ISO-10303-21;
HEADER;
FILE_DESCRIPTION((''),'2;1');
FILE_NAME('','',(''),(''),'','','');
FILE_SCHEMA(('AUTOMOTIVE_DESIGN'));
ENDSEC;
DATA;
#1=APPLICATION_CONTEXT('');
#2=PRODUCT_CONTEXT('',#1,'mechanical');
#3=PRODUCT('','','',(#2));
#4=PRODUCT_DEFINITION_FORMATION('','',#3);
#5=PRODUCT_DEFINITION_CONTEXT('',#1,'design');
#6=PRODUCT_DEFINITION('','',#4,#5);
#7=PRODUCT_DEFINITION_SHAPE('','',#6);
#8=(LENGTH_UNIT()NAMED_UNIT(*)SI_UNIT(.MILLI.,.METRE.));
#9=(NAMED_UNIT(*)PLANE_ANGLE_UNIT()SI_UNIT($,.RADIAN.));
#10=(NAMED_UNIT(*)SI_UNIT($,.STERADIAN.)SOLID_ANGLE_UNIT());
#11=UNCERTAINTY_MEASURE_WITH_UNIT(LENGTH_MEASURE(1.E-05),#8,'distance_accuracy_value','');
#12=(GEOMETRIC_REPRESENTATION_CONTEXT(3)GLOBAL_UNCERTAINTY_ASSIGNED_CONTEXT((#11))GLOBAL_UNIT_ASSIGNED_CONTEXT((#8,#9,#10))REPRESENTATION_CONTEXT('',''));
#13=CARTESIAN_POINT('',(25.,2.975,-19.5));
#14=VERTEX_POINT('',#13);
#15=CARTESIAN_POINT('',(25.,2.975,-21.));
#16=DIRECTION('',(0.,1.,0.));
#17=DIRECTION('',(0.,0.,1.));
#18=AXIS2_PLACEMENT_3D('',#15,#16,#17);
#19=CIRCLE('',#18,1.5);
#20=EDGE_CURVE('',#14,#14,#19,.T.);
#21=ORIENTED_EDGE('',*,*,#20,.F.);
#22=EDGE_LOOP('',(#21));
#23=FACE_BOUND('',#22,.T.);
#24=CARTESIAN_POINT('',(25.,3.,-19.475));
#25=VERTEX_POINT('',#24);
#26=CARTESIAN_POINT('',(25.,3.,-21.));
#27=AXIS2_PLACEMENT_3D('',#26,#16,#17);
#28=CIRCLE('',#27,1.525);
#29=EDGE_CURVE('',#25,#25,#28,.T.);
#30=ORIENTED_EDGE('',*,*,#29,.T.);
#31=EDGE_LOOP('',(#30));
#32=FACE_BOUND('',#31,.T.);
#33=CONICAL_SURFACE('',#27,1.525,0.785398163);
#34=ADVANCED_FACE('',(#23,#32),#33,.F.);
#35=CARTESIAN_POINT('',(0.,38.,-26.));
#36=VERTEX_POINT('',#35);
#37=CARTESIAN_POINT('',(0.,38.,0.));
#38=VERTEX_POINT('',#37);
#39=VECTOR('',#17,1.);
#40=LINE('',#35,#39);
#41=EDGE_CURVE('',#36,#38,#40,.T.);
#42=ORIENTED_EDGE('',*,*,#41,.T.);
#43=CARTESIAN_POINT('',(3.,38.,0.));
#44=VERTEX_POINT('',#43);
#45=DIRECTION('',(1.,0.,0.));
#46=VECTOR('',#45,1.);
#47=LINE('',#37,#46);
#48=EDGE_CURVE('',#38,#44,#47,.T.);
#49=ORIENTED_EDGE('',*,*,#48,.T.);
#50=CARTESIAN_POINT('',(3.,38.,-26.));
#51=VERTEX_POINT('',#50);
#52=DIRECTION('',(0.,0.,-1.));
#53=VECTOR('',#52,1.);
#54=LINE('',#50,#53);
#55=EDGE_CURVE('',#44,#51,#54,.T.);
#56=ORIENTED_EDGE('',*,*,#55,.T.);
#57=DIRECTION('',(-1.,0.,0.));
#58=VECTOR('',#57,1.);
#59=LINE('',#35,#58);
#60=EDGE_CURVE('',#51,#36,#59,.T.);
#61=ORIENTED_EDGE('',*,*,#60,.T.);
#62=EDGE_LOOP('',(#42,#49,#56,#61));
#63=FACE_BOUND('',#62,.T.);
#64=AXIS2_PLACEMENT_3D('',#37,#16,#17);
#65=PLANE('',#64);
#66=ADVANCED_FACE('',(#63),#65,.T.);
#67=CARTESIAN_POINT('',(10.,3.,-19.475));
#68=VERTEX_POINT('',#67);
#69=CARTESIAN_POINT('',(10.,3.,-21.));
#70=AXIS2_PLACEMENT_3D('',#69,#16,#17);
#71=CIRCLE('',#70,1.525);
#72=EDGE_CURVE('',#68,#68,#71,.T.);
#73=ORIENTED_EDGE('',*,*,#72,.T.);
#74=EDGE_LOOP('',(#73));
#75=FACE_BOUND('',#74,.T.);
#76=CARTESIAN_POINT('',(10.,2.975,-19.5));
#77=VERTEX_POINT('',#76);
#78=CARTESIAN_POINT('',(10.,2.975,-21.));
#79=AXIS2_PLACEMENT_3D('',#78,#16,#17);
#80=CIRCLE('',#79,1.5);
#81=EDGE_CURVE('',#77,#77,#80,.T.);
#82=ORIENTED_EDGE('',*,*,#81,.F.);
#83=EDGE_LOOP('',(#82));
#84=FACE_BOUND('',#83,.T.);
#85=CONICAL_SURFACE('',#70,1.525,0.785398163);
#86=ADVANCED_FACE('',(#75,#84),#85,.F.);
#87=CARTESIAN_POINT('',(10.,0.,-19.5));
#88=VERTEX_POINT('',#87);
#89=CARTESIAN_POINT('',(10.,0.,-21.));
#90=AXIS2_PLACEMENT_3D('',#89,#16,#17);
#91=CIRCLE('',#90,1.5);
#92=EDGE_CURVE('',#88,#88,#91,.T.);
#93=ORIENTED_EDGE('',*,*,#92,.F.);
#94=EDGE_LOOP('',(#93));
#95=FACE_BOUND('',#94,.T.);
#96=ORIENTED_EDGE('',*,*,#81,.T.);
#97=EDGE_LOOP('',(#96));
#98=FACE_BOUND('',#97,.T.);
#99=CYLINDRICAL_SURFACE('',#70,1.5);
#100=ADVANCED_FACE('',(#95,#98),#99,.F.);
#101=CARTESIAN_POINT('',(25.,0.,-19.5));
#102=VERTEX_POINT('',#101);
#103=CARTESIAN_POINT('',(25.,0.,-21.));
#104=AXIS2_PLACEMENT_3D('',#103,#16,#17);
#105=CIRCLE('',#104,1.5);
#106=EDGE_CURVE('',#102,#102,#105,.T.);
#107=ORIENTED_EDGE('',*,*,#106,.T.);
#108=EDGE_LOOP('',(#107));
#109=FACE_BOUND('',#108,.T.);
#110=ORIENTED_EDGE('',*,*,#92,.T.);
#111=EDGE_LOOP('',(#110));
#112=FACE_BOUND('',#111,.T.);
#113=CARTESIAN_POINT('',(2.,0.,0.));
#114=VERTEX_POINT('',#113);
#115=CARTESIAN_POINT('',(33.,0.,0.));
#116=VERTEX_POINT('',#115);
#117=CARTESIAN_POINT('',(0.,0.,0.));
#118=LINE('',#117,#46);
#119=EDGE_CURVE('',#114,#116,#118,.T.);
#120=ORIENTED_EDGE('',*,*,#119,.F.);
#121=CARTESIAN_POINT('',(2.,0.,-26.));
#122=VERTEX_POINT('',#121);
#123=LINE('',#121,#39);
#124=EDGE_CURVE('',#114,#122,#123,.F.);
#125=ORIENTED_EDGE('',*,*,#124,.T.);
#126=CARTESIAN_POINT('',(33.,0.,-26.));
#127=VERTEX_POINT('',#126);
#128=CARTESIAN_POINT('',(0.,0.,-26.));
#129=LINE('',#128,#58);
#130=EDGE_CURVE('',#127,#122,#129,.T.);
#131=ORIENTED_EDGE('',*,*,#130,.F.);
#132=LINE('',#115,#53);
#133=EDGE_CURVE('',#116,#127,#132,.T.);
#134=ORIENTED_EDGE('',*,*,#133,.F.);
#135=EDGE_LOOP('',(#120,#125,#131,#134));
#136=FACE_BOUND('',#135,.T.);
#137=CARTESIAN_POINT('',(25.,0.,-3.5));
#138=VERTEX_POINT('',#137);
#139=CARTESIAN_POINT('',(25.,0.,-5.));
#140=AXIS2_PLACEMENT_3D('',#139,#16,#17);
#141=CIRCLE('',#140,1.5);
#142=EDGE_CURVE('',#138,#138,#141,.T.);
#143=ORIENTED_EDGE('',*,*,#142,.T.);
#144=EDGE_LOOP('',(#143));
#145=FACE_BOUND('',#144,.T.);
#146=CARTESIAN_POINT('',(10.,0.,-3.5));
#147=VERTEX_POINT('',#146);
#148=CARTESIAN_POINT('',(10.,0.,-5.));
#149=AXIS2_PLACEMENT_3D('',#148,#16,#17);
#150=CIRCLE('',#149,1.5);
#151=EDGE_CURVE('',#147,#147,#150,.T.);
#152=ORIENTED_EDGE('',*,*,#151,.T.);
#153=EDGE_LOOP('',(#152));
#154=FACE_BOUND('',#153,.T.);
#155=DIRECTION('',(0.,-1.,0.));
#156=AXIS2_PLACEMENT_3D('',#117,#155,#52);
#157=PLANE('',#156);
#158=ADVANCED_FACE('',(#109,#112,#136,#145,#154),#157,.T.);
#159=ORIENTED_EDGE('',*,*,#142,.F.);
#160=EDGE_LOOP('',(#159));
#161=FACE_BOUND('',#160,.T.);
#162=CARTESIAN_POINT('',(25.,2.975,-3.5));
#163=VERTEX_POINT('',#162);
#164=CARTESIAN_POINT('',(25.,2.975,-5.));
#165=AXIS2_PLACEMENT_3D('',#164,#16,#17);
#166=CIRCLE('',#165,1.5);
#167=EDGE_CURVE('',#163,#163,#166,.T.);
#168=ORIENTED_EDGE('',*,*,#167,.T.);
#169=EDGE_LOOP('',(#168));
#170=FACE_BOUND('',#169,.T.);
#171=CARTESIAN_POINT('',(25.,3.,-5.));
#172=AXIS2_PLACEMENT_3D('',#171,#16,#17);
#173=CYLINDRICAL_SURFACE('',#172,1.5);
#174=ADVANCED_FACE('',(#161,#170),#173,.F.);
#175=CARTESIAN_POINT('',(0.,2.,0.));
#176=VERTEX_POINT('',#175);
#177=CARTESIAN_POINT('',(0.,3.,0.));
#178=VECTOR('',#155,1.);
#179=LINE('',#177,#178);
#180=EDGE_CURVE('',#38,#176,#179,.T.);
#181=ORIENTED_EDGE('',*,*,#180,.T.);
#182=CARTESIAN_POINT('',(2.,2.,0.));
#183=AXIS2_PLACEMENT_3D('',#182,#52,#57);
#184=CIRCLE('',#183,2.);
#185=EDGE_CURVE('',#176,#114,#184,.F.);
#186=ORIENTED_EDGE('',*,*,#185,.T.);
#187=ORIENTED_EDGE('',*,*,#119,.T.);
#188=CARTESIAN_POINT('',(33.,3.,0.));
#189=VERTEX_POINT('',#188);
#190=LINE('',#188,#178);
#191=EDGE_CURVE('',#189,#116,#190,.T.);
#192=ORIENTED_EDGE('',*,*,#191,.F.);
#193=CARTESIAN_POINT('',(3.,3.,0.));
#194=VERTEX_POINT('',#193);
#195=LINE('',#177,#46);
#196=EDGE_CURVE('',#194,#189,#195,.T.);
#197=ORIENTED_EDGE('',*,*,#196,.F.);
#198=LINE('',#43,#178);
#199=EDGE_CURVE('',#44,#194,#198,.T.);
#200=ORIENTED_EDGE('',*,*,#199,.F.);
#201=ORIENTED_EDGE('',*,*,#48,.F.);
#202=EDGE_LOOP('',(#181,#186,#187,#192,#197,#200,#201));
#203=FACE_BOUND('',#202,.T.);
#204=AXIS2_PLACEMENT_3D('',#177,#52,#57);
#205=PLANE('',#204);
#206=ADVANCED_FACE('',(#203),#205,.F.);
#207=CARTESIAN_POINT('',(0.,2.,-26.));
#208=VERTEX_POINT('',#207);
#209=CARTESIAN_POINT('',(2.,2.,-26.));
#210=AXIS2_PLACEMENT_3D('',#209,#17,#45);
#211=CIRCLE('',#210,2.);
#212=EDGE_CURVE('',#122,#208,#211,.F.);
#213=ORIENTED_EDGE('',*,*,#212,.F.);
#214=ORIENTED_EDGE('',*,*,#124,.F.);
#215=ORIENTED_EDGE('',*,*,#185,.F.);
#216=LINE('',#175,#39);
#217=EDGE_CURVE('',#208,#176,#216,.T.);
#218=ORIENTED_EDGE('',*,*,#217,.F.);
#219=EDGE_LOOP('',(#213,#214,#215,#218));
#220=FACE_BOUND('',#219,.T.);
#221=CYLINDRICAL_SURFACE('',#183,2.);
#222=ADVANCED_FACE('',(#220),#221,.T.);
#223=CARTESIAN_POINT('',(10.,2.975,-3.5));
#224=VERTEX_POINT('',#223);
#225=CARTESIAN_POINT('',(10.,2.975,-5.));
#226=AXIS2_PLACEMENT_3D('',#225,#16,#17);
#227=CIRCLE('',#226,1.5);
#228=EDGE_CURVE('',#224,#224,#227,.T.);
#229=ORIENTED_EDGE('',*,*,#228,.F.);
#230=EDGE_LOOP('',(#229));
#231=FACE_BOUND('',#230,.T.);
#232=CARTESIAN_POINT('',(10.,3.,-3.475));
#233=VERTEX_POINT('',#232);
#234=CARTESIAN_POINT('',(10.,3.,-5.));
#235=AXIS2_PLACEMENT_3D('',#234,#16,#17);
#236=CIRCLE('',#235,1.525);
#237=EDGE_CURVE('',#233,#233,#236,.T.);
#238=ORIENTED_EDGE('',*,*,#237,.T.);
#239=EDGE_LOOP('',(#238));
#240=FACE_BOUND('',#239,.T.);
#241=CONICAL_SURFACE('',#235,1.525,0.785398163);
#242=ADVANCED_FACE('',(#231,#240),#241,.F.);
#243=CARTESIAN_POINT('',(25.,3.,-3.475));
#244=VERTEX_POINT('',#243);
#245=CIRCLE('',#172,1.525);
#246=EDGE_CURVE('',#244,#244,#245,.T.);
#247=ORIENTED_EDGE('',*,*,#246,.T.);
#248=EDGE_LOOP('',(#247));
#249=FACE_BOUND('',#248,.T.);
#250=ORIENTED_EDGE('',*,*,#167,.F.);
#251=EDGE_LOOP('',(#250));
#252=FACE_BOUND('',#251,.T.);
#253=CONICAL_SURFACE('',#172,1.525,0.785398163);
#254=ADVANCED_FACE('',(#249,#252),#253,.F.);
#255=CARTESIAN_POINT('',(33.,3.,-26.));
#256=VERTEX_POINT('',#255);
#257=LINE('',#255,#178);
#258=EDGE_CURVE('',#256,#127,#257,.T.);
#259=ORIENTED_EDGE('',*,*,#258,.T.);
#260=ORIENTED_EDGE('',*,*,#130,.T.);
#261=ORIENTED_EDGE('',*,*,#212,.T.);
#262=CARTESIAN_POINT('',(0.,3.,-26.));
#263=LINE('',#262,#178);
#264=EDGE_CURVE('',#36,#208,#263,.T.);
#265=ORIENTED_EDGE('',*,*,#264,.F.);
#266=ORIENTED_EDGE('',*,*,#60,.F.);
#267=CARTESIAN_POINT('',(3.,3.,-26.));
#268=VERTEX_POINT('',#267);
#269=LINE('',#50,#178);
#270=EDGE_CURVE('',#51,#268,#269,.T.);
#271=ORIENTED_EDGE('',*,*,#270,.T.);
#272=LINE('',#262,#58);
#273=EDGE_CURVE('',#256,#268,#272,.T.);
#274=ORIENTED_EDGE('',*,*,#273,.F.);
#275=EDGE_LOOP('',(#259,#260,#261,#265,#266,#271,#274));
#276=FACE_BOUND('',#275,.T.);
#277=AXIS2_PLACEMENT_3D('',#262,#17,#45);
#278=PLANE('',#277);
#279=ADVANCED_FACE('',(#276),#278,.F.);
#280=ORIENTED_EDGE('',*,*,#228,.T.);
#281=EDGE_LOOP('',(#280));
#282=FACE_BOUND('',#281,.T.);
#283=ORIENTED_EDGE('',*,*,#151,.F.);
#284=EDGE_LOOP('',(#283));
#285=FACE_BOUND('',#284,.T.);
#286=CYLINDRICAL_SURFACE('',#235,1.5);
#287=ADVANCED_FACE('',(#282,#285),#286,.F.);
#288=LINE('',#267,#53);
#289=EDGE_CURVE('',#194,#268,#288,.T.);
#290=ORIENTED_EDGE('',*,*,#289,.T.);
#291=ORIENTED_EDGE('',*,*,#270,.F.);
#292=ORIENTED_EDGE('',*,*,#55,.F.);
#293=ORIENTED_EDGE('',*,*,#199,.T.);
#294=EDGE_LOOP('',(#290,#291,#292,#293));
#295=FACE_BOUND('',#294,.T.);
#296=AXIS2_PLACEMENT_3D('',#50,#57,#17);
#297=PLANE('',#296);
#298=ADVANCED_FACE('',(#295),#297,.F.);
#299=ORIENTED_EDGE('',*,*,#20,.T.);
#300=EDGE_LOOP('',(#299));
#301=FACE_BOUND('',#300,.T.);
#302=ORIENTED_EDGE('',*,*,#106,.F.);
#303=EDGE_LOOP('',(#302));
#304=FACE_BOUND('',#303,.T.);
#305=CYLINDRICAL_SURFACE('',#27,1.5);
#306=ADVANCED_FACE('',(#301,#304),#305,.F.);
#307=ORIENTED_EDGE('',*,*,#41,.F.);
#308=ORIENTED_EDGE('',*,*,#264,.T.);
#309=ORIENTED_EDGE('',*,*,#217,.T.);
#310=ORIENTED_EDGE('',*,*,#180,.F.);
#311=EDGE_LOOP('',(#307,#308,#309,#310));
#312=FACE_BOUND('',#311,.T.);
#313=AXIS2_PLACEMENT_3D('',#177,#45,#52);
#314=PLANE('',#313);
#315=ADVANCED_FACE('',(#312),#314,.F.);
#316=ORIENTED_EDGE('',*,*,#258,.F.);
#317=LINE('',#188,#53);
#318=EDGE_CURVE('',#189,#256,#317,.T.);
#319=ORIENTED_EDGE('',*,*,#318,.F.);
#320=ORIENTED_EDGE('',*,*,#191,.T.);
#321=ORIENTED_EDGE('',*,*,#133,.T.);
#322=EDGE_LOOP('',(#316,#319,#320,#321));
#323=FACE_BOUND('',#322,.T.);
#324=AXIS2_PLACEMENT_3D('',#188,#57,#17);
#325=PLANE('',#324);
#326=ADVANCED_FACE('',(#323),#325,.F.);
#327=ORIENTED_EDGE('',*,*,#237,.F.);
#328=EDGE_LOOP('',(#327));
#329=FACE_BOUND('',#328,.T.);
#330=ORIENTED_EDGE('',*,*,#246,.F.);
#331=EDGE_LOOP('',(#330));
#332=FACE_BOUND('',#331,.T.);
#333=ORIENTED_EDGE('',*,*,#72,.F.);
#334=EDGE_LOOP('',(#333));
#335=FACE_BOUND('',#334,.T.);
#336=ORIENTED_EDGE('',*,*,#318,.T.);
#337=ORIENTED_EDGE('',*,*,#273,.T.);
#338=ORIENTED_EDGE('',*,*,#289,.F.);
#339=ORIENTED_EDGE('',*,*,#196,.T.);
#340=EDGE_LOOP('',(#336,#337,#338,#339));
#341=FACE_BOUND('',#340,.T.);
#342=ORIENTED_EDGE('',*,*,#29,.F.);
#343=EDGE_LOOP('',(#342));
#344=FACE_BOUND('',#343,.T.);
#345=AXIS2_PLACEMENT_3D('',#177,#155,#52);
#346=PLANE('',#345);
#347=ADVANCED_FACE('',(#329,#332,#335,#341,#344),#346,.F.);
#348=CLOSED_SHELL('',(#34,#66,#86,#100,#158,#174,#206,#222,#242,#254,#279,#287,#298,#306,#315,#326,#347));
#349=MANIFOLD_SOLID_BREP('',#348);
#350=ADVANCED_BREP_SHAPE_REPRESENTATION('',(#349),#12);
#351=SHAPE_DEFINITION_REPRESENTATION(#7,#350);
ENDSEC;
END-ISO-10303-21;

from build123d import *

# Parameters (mm, degrees)
SKETCH1_W                       = 33
SKETCH1_H                       = 26
BOSS_EXTRUDE1_DEPTH             = 3
SKETCH2_W                       = 3
SKETCH2_H                       = 26
BOSS_EXTRUDE2_DEPTH             = 35
FILLET1_R                       = 2
F_3_0MM_DOWEL_HOLE1_D           = 3
F_3_0MM_DOWEL_HOLE1_CSINK_D     = 3.05
F_3_0MM_DOWEL_HOLE1_CSINK_ANGLE = 90


with BuildPart() as part:
    # Sketch1 → Boss-Extrude1 (new body)
    with BuildSketch(Plane(origin=(0, 0, 0), x_dir=(1, 0, 0), z_dir=(0, 1, 0))):
        with Locations((16.5, 13)):
            Rectangle(SKETCH1_W, SKETCH1_H)
    extrude(amount=BOSS_EXTRUDE1_DEPTH)

    # Sketch2 → Boss-Extrude2 (add)
    with BuildSketch(Plane(origin=(0, 3, 0), x_dir=(1, 0, 0), z_dir=(0, 1, 0))):
        with Locations((1.5, 13)):
            Rectangle(SKETCH2_W, SKETCH2_H)
    extrude(amount=BOSS_EXTRUDE2_DEPTH)

    # Fillet1
    fillet1_edges = [part.edges().sort_by_distance(p)[0] for p in [
        (0, 0, -13),
    ]]
    fillet(fillet1_edges, radius=FILLET1_R)

    # Ø3.0mm Dowel Hole1 (through all)
    with Locations(Plane(origin=(0, 3, 0), x_dir=(1, 0, 0), z_dir=(0, 1, 0))):
        with Locations((25, 21), (10, 21), (25, 5), (10, 5)):
            CounterSinkHole(F_3_0MM_DOWEL_HOLE1_D / 2, F_3_0MM_DOWEL_HOLE1_CSINK_D / 2, counter_sink_angle=F_3_0MM_DOWEL_HOLE1_CSINK_ANGLE)


solid = part.part
